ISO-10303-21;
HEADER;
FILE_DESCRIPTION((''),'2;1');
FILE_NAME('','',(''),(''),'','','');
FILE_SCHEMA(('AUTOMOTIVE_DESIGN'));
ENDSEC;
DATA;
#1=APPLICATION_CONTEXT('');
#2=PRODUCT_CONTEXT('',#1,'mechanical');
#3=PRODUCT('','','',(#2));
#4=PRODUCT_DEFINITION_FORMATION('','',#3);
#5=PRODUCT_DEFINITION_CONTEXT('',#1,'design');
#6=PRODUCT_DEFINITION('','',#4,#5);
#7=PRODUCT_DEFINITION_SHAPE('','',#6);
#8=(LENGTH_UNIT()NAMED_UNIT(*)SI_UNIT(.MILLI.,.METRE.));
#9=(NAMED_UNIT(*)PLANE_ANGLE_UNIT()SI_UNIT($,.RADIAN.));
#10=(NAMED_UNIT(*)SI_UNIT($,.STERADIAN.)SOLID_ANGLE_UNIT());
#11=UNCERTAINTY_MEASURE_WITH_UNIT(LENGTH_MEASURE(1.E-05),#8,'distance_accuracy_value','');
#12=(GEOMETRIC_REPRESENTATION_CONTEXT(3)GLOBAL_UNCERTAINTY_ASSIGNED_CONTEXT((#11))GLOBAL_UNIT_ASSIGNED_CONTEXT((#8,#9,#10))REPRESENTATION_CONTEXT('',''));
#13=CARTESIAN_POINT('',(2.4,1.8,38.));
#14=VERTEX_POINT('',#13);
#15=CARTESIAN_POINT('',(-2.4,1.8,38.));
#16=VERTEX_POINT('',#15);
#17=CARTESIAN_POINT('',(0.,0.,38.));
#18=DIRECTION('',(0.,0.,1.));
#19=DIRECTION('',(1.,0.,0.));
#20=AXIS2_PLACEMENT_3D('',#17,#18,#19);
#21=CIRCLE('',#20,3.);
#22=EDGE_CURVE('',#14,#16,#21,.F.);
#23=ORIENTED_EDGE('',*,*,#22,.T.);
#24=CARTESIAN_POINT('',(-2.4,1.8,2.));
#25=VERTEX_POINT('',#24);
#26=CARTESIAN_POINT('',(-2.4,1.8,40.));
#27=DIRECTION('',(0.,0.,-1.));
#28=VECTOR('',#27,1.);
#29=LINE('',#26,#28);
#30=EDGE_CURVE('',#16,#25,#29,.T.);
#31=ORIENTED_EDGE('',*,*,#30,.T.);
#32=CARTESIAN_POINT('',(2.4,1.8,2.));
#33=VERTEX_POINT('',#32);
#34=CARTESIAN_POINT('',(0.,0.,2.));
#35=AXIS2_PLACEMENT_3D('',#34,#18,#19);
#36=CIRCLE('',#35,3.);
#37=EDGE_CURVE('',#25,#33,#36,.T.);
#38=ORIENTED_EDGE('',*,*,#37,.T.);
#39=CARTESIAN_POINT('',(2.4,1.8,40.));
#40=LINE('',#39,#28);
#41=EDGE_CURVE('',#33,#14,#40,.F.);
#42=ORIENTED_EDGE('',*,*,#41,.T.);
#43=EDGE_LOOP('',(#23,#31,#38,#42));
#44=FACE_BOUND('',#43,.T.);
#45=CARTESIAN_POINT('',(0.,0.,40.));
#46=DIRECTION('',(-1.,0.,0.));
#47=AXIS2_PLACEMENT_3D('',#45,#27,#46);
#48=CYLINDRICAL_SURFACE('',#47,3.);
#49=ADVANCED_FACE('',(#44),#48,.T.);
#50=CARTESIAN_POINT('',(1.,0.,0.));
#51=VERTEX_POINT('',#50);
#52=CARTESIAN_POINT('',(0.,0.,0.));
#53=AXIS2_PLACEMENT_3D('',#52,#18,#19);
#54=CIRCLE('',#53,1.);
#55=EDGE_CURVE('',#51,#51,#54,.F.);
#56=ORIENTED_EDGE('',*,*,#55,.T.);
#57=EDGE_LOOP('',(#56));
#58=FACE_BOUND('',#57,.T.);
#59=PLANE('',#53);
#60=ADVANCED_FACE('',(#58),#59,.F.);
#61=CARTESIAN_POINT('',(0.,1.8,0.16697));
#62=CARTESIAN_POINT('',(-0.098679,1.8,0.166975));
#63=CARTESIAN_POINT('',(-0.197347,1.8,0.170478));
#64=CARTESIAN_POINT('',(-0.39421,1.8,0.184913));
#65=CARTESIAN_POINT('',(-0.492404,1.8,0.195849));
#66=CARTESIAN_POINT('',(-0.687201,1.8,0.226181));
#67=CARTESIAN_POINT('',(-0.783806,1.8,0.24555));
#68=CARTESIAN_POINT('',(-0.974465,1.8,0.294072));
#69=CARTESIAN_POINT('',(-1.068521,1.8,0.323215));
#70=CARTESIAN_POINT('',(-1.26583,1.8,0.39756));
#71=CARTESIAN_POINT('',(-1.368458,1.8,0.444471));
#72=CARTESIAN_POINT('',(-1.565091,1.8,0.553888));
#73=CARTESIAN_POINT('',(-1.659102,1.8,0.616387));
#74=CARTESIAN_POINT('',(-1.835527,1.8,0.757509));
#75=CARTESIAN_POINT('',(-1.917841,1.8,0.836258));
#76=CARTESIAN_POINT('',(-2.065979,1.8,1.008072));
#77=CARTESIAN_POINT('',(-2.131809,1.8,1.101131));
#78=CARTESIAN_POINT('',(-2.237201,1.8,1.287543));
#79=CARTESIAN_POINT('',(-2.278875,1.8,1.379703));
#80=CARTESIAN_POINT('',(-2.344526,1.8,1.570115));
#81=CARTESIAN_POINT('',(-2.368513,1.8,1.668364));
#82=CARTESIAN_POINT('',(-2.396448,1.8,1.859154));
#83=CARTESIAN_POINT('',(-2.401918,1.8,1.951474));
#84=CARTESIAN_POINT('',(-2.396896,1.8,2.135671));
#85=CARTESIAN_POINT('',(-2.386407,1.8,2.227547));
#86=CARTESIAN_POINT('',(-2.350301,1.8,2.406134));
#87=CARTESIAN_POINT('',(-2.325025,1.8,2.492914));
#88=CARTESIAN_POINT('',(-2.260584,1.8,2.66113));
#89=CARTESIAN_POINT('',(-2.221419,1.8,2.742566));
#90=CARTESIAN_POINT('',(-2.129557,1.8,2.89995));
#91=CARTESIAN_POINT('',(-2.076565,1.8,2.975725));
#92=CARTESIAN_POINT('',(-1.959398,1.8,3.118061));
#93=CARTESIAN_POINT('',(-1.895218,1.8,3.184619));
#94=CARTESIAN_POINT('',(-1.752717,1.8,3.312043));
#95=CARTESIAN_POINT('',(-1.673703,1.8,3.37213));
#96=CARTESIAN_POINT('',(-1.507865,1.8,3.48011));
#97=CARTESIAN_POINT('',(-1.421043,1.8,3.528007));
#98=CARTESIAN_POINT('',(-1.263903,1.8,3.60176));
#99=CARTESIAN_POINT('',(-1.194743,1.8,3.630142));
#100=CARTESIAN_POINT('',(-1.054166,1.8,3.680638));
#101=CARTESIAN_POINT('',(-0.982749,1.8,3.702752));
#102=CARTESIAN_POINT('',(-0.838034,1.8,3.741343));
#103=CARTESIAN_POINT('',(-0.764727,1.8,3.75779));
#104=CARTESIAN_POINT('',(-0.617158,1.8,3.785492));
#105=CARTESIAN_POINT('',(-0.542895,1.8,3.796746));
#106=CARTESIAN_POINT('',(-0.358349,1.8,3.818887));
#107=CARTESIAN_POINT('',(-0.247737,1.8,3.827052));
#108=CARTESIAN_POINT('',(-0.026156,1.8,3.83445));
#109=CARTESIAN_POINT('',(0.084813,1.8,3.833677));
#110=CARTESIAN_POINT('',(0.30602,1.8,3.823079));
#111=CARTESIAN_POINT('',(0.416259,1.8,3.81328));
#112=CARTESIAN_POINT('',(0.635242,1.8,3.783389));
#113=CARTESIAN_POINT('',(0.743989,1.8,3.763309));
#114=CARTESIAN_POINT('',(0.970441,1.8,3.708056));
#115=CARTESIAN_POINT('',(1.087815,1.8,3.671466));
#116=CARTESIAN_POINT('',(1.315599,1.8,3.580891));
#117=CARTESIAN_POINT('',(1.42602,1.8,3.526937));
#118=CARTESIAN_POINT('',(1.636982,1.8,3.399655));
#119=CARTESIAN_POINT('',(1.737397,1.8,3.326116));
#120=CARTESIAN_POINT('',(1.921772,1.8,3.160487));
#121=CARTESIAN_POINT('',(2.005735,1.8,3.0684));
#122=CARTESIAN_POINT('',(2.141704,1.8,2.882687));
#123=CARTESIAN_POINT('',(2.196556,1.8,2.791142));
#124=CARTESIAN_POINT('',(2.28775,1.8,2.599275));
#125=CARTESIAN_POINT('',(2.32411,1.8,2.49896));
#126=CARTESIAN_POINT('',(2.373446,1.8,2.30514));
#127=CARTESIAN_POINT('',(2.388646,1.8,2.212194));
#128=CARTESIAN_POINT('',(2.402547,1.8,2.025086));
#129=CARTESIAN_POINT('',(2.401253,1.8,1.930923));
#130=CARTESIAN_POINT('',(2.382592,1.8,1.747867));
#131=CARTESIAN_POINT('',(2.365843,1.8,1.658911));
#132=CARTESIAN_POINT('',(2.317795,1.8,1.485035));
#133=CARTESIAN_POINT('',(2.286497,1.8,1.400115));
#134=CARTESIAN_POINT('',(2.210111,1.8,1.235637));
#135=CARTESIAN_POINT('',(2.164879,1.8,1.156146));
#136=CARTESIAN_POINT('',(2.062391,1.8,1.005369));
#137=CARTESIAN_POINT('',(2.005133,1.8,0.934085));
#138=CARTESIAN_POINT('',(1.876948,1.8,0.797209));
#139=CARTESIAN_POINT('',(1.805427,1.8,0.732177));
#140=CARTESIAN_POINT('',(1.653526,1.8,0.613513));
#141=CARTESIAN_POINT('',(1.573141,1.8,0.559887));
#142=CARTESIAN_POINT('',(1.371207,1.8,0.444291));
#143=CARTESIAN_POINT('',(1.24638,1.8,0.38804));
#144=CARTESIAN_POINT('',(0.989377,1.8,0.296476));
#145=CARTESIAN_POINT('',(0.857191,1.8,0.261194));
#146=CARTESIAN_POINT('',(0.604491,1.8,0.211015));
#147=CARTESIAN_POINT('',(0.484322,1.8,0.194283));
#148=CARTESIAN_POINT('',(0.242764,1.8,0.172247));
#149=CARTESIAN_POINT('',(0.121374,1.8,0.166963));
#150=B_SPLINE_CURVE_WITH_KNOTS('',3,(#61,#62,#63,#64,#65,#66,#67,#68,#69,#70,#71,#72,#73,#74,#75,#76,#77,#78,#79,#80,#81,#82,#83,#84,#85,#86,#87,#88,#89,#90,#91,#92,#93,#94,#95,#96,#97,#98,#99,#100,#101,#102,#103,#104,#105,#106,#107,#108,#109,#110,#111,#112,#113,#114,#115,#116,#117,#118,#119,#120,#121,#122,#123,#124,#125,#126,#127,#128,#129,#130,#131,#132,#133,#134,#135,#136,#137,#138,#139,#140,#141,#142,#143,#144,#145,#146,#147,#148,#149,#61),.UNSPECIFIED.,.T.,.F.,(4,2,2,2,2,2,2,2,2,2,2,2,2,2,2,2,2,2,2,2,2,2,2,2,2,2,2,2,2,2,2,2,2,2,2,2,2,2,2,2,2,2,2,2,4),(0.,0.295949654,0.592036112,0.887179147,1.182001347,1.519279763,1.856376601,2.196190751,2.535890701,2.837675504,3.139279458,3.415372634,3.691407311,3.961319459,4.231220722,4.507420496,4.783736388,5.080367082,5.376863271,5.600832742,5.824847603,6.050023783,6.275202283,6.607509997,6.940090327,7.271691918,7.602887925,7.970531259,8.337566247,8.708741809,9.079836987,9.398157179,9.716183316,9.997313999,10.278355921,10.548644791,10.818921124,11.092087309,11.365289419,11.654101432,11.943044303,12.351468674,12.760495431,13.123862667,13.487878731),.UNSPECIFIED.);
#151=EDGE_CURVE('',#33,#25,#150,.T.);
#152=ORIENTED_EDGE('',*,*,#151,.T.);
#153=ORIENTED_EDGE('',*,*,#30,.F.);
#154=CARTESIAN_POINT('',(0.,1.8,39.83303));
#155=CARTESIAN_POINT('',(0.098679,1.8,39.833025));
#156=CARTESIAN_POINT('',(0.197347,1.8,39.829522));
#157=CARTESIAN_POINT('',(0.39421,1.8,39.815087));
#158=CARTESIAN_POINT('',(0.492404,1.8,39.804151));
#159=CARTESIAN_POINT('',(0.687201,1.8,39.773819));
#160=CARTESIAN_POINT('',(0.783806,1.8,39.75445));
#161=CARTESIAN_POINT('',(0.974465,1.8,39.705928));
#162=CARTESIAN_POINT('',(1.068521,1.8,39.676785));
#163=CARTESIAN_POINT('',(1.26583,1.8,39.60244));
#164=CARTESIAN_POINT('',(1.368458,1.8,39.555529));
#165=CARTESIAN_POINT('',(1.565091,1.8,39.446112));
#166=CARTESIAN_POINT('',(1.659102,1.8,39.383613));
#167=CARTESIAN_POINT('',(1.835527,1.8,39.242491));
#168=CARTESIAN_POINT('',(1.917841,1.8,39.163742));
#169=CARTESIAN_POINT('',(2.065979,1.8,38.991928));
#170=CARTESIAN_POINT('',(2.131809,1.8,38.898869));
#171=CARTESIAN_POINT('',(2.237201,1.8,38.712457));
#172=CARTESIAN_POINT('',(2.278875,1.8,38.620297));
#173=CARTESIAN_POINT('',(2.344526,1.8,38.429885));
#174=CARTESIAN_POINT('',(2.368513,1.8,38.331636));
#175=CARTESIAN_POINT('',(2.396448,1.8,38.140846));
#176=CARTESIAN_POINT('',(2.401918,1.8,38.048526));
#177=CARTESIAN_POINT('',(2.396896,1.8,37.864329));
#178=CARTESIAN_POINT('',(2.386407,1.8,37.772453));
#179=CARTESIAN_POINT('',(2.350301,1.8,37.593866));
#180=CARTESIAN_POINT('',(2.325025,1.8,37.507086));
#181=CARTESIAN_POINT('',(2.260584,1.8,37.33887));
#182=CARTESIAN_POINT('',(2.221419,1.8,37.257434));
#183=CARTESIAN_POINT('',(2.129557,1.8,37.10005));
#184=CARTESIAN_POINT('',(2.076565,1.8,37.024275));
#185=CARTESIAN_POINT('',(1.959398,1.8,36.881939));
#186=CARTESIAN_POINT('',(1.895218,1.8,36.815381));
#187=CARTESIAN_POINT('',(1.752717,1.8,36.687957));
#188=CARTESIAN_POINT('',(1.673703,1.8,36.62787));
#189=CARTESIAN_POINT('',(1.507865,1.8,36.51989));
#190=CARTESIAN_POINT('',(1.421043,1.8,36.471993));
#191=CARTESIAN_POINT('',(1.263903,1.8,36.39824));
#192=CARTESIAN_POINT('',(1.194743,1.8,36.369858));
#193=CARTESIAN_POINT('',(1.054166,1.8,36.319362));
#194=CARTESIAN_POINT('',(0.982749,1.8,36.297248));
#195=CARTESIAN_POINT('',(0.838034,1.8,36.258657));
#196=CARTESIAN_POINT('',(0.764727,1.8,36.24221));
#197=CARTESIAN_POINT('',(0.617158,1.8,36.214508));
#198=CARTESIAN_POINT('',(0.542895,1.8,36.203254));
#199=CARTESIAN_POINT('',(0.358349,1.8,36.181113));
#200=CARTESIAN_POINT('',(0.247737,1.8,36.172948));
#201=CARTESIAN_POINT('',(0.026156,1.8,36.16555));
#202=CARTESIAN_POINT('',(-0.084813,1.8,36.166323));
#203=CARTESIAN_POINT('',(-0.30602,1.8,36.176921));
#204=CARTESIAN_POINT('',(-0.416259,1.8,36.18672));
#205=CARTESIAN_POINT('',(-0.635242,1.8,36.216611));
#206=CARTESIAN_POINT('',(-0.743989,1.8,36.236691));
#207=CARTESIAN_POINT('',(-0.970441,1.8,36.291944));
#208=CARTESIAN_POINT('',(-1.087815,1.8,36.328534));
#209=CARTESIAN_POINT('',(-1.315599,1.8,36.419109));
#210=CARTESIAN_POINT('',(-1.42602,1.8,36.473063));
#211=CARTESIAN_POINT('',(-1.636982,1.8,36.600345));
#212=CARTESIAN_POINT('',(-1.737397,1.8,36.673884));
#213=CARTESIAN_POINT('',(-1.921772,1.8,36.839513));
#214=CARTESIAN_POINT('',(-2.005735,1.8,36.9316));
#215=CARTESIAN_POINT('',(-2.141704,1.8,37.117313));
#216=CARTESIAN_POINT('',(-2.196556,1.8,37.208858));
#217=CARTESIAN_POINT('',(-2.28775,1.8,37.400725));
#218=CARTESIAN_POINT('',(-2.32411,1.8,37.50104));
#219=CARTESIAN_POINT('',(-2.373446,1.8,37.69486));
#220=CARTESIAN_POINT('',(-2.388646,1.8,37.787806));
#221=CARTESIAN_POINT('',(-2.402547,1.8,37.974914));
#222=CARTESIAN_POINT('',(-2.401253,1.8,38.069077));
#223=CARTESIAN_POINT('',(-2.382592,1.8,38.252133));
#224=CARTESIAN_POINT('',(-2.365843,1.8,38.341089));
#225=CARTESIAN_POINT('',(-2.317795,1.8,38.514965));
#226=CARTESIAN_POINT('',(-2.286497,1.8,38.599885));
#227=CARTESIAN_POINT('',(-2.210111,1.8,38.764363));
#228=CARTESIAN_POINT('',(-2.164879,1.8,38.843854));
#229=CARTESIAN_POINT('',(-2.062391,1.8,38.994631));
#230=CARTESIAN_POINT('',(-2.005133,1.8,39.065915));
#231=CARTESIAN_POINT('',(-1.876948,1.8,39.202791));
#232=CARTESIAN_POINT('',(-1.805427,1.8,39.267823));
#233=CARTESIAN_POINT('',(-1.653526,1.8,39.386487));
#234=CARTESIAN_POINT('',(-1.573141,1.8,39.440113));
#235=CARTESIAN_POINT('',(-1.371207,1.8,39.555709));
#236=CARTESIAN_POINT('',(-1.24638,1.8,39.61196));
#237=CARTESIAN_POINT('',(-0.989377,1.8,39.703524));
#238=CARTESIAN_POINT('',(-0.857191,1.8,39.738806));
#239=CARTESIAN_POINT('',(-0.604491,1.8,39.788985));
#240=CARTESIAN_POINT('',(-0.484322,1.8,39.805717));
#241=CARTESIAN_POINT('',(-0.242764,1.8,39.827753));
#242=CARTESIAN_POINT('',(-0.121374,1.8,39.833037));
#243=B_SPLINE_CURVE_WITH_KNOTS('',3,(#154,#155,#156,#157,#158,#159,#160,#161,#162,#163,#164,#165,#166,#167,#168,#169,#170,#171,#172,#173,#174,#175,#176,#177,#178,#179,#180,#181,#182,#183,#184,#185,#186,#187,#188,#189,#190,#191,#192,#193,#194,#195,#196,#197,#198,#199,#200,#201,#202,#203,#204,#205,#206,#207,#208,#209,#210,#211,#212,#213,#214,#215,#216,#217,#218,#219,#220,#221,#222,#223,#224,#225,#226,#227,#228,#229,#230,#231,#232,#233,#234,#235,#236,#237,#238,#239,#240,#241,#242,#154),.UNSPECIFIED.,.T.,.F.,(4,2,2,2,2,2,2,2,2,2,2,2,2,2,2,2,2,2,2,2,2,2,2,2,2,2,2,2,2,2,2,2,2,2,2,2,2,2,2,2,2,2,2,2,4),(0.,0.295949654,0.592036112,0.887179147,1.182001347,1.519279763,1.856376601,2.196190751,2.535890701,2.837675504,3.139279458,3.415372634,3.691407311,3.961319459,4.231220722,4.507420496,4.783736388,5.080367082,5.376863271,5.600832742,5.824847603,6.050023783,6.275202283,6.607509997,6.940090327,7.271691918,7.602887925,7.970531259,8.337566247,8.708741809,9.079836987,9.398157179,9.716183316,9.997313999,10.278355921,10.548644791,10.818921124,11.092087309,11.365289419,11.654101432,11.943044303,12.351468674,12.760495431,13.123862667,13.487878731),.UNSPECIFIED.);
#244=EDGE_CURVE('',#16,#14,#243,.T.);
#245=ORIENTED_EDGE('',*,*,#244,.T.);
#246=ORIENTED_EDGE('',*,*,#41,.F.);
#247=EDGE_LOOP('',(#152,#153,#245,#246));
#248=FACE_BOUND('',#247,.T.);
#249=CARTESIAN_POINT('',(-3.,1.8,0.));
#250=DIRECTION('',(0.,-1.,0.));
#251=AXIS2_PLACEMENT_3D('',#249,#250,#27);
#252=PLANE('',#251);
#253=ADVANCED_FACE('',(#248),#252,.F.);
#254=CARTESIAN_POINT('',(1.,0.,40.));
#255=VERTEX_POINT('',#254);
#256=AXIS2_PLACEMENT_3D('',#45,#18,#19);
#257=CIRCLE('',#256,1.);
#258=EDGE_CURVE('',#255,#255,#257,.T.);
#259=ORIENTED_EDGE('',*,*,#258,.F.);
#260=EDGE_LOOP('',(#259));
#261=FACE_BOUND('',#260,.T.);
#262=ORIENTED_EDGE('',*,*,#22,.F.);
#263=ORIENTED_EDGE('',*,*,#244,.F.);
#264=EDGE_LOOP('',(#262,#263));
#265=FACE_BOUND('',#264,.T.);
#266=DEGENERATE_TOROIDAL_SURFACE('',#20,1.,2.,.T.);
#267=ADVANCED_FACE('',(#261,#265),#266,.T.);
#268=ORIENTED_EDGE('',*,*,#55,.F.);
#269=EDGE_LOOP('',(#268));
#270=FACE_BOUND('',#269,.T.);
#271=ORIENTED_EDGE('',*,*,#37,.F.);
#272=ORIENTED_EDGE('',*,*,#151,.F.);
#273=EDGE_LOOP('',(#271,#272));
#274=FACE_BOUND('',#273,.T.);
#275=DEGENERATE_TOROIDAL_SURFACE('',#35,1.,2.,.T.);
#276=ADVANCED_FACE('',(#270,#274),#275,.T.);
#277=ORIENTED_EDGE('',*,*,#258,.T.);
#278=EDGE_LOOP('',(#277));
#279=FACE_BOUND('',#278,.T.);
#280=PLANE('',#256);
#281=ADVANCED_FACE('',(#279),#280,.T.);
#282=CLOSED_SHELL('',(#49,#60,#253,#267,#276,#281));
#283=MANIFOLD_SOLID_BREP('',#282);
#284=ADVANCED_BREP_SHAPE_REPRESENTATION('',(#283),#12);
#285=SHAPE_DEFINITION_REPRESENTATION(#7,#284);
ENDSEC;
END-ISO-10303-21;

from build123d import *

# Parameters (mm, degrees)
ESQUISSE1_R             = 3
BOSS_EXTRU_1_DEPTH      = 40
CONG_1_R                = 2
ESQUISSE2_W             = 6
ESQUISSE2_H             = 1.2
ENL_V_MAT_EXTRU_1_DEPTH = 41.22437073


with BuildPart() as part:
    # Esquisse1 → Boss.-Extru.1 (new body)
    with BuildSketch(Plane.XY):
        Circle(ESQUISSE1_R)
    extrude(amount=BOSS_EXTRU_1_DEPTH)

    # Congé1
    cong_1_edges = [part.edges().sort_by_distance(p)[0] for p in [
        (-3, 0, 0),
        (-3, 0, 40),
    ]]
    fillet(cong_1_edges, radius=CONG_1_R)

    # Esquisse2 → Enlèv. mat.-Extru.1 (cut, through all)
    with BuildSketch(Plane.XY.offset(40)):
        with Locations((0, 2.4)):
            Rectangle(ESQUISSE2_W, ESQUISSE2_H)
    extrude(amount=-ENL_V_MAT_EXTRU_1_DEPTH, mode=Mode.SUBTRACT)


solid = part.part
